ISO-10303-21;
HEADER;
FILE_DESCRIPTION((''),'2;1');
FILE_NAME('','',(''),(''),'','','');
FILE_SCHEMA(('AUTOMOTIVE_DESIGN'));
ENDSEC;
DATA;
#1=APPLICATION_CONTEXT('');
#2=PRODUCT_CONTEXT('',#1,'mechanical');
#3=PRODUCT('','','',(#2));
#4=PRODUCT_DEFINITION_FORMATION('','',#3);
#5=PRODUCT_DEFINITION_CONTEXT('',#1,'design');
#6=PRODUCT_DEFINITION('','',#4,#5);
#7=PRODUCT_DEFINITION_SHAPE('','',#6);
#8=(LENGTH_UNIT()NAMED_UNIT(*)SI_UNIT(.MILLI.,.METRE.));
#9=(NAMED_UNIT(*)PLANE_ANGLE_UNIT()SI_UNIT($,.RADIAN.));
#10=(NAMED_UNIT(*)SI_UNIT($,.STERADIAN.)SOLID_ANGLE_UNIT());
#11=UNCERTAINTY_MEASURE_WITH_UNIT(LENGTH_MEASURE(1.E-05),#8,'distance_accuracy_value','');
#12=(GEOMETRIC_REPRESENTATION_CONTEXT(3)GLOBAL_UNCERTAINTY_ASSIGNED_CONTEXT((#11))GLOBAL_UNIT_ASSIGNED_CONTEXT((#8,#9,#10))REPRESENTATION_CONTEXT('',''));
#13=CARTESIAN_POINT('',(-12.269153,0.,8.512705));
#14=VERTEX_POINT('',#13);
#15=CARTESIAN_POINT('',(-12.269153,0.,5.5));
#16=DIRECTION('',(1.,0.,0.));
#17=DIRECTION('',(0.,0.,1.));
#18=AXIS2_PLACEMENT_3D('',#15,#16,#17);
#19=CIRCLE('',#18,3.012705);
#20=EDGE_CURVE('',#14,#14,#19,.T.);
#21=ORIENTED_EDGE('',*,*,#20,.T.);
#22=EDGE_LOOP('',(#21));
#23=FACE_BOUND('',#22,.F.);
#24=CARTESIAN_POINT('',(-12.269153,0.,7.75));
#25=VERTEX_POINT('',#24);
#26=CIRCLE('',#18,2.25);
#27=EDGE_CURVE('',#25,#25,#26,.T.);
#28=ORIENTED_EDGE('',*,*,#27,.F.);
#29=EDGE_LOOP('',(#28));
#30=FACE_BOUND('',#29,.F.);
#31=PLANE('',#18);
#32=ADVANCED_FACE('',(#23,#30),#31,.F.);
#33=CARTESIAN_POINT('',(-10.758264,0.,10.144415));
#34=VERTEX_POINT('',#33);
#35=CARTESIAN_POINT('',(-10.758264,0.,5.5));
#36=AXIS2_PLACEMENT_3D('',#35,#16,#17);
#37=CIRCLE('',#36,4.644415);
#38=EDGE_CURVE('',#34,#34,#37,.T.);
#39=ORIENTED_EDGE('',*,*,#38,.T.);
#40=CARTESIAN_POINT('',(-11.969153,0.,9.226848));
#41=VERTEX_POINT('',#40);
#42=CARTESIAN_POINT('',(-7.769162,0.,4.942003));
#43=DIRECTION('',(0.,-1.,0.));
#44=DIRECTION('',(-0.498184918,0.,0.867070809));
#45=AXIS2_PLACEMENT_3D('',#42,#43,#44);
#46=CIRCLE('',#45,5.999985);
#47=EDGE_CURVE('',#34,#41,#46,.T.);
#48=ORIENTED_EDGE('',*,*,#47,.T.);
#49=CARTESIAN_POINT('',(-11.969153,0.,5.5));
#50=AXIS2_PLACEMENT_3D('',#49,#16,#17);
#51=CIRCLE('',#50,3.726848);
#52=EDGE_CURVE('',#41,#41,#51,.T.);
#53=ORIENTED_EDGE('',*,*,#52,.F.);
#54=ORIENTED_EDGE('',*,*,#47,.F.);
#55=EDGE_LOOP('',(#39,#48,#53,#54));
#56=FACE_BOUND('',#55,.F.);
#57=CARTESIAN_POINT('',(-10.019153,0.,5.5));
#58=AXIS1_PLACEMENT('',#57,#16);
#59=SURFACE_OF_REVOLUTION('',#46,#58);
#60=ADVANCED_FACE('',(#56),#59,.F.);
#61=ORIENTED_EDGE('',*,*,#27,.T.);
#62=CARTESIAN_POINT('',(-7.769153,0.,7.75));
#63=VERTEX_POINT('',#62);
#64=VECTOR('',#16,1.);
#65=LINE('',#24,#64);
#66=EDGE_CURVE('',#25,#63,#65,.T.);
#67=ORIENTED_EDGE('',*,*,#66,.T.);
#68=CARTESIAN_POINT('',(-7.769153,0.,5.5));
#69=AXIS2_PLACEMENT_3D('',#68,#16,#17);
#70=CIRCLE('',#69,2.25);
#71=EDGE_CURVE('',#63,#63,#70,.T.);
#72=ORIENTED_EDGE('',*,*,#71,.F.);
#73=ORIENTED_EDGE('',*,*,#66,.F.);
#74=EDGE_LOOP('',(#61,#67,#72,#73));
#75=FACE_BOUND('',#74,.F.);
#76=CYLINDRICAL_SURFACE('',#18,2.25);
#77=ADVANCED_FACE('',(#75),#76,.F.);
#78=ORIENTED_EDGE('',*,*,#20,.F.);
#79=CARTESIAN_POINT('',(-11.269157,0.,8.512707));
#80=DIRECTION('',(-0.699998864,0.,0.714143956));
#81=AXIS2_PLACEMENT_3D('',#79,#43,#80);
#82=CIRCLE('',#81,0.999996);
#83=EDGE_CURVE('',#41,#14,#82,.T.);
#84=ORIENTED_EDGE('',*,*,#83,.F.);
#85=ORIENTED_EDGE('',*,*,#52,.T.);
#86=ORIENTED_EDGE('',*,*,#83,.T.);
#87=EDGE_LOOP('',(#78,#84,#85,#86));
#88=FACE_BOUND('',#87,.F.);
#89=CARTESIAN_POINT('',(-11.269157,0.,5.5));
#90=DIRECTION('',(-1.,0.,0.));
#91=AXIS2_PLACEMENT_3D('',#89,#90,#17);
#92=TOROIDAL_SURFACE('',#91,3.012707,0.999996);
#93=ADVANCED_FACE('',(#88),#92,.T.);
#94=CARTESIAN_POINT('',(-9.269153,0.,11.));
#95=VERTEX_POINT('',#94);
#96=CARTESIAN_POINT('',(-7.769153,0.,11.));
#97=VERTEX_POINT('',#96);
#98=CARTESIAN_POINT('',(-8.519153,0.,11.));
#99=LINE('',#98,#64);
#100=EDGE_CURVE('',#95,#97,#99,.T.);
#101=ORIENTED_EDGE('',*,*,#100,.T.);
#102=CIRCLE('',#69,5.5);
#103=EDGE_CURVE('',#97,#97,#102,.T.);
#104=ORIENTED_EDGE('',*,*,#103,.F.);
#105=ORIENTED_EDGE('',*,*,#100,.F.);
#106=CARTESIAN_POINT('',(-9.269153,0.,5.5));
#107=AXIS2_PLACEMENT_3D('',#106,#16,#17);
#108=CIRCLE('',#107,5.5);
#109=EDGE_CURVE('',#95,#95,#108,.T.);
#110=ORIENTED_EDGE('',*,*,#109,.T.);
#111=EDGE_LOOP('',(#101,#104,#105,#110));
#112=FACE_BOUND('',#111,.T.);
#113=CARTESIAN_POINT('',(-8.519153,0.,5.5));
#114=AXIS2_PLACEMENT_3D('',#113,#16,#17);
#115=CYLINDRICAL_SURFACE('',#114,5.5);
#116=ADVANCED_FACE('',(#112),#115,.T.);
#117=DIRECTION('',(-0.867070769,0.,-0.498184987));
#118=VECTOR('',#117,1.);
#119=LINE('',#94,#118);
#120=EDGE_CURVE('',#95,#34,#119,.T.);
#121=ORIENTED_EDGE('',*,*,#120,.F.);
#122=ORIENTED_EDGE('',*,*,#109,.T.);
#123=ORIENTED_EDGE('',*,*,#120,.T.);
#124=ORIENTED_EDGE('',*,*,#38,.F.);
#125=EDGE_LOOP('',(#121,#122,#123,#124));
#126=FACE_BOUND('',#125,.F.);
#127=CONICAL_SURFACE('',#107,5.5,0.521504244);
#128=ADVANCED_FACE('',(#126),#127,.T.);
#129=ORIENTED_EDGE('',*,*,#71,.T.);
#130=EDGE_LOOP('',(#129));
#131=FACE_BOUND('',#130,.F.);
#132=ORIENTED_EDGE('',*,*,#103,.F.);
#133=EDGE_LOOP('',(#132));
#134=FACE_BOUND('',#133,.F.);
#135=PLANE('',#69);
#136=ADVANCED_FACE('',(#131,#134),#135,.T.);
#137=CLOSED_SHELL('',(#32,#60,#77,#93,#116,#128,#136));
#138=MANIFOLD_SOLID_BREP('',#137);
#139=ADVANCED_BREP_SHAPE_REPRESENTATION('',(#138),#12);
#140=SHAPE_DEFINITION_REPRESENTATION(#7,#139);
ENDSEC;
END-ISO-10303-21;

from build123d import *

# Parameters (mm, degrees)
F0_W = 1.5
F0_H = 3.25


with BuildPart() as f1:
    # F0 (on Front) → F1 (revolve)
    with BuildSketch(Plane.XZ):
        with BuildLine():
            Line((-9.269153, 7.75), (-9.269153, 11))
            Line((-9.269153, 11), (-10.758264, 10.144415))
            ThreePointArc((-10.758264, 10.144415), (-11.392868, 9.724113), (-11.969153, 9.226848))
            ThreePointArc((-11.969153, 9.226848), (-12.191108, 8.900003), (-12.269153, 8.512705))
            Line((-12.269153, 8.512705), (-12.269153, 7.75))
            Line((-12.269153, 7.75), (-9.269153, 7.75))
        make_face()
        with Locations((-8.519153, 9.375)):
            Rectangle(F0_W, F0_H)
    revolve(axis=Axis((-10.019153, 0, 5.5), (1, 0, 0)))


solid = f1.part
